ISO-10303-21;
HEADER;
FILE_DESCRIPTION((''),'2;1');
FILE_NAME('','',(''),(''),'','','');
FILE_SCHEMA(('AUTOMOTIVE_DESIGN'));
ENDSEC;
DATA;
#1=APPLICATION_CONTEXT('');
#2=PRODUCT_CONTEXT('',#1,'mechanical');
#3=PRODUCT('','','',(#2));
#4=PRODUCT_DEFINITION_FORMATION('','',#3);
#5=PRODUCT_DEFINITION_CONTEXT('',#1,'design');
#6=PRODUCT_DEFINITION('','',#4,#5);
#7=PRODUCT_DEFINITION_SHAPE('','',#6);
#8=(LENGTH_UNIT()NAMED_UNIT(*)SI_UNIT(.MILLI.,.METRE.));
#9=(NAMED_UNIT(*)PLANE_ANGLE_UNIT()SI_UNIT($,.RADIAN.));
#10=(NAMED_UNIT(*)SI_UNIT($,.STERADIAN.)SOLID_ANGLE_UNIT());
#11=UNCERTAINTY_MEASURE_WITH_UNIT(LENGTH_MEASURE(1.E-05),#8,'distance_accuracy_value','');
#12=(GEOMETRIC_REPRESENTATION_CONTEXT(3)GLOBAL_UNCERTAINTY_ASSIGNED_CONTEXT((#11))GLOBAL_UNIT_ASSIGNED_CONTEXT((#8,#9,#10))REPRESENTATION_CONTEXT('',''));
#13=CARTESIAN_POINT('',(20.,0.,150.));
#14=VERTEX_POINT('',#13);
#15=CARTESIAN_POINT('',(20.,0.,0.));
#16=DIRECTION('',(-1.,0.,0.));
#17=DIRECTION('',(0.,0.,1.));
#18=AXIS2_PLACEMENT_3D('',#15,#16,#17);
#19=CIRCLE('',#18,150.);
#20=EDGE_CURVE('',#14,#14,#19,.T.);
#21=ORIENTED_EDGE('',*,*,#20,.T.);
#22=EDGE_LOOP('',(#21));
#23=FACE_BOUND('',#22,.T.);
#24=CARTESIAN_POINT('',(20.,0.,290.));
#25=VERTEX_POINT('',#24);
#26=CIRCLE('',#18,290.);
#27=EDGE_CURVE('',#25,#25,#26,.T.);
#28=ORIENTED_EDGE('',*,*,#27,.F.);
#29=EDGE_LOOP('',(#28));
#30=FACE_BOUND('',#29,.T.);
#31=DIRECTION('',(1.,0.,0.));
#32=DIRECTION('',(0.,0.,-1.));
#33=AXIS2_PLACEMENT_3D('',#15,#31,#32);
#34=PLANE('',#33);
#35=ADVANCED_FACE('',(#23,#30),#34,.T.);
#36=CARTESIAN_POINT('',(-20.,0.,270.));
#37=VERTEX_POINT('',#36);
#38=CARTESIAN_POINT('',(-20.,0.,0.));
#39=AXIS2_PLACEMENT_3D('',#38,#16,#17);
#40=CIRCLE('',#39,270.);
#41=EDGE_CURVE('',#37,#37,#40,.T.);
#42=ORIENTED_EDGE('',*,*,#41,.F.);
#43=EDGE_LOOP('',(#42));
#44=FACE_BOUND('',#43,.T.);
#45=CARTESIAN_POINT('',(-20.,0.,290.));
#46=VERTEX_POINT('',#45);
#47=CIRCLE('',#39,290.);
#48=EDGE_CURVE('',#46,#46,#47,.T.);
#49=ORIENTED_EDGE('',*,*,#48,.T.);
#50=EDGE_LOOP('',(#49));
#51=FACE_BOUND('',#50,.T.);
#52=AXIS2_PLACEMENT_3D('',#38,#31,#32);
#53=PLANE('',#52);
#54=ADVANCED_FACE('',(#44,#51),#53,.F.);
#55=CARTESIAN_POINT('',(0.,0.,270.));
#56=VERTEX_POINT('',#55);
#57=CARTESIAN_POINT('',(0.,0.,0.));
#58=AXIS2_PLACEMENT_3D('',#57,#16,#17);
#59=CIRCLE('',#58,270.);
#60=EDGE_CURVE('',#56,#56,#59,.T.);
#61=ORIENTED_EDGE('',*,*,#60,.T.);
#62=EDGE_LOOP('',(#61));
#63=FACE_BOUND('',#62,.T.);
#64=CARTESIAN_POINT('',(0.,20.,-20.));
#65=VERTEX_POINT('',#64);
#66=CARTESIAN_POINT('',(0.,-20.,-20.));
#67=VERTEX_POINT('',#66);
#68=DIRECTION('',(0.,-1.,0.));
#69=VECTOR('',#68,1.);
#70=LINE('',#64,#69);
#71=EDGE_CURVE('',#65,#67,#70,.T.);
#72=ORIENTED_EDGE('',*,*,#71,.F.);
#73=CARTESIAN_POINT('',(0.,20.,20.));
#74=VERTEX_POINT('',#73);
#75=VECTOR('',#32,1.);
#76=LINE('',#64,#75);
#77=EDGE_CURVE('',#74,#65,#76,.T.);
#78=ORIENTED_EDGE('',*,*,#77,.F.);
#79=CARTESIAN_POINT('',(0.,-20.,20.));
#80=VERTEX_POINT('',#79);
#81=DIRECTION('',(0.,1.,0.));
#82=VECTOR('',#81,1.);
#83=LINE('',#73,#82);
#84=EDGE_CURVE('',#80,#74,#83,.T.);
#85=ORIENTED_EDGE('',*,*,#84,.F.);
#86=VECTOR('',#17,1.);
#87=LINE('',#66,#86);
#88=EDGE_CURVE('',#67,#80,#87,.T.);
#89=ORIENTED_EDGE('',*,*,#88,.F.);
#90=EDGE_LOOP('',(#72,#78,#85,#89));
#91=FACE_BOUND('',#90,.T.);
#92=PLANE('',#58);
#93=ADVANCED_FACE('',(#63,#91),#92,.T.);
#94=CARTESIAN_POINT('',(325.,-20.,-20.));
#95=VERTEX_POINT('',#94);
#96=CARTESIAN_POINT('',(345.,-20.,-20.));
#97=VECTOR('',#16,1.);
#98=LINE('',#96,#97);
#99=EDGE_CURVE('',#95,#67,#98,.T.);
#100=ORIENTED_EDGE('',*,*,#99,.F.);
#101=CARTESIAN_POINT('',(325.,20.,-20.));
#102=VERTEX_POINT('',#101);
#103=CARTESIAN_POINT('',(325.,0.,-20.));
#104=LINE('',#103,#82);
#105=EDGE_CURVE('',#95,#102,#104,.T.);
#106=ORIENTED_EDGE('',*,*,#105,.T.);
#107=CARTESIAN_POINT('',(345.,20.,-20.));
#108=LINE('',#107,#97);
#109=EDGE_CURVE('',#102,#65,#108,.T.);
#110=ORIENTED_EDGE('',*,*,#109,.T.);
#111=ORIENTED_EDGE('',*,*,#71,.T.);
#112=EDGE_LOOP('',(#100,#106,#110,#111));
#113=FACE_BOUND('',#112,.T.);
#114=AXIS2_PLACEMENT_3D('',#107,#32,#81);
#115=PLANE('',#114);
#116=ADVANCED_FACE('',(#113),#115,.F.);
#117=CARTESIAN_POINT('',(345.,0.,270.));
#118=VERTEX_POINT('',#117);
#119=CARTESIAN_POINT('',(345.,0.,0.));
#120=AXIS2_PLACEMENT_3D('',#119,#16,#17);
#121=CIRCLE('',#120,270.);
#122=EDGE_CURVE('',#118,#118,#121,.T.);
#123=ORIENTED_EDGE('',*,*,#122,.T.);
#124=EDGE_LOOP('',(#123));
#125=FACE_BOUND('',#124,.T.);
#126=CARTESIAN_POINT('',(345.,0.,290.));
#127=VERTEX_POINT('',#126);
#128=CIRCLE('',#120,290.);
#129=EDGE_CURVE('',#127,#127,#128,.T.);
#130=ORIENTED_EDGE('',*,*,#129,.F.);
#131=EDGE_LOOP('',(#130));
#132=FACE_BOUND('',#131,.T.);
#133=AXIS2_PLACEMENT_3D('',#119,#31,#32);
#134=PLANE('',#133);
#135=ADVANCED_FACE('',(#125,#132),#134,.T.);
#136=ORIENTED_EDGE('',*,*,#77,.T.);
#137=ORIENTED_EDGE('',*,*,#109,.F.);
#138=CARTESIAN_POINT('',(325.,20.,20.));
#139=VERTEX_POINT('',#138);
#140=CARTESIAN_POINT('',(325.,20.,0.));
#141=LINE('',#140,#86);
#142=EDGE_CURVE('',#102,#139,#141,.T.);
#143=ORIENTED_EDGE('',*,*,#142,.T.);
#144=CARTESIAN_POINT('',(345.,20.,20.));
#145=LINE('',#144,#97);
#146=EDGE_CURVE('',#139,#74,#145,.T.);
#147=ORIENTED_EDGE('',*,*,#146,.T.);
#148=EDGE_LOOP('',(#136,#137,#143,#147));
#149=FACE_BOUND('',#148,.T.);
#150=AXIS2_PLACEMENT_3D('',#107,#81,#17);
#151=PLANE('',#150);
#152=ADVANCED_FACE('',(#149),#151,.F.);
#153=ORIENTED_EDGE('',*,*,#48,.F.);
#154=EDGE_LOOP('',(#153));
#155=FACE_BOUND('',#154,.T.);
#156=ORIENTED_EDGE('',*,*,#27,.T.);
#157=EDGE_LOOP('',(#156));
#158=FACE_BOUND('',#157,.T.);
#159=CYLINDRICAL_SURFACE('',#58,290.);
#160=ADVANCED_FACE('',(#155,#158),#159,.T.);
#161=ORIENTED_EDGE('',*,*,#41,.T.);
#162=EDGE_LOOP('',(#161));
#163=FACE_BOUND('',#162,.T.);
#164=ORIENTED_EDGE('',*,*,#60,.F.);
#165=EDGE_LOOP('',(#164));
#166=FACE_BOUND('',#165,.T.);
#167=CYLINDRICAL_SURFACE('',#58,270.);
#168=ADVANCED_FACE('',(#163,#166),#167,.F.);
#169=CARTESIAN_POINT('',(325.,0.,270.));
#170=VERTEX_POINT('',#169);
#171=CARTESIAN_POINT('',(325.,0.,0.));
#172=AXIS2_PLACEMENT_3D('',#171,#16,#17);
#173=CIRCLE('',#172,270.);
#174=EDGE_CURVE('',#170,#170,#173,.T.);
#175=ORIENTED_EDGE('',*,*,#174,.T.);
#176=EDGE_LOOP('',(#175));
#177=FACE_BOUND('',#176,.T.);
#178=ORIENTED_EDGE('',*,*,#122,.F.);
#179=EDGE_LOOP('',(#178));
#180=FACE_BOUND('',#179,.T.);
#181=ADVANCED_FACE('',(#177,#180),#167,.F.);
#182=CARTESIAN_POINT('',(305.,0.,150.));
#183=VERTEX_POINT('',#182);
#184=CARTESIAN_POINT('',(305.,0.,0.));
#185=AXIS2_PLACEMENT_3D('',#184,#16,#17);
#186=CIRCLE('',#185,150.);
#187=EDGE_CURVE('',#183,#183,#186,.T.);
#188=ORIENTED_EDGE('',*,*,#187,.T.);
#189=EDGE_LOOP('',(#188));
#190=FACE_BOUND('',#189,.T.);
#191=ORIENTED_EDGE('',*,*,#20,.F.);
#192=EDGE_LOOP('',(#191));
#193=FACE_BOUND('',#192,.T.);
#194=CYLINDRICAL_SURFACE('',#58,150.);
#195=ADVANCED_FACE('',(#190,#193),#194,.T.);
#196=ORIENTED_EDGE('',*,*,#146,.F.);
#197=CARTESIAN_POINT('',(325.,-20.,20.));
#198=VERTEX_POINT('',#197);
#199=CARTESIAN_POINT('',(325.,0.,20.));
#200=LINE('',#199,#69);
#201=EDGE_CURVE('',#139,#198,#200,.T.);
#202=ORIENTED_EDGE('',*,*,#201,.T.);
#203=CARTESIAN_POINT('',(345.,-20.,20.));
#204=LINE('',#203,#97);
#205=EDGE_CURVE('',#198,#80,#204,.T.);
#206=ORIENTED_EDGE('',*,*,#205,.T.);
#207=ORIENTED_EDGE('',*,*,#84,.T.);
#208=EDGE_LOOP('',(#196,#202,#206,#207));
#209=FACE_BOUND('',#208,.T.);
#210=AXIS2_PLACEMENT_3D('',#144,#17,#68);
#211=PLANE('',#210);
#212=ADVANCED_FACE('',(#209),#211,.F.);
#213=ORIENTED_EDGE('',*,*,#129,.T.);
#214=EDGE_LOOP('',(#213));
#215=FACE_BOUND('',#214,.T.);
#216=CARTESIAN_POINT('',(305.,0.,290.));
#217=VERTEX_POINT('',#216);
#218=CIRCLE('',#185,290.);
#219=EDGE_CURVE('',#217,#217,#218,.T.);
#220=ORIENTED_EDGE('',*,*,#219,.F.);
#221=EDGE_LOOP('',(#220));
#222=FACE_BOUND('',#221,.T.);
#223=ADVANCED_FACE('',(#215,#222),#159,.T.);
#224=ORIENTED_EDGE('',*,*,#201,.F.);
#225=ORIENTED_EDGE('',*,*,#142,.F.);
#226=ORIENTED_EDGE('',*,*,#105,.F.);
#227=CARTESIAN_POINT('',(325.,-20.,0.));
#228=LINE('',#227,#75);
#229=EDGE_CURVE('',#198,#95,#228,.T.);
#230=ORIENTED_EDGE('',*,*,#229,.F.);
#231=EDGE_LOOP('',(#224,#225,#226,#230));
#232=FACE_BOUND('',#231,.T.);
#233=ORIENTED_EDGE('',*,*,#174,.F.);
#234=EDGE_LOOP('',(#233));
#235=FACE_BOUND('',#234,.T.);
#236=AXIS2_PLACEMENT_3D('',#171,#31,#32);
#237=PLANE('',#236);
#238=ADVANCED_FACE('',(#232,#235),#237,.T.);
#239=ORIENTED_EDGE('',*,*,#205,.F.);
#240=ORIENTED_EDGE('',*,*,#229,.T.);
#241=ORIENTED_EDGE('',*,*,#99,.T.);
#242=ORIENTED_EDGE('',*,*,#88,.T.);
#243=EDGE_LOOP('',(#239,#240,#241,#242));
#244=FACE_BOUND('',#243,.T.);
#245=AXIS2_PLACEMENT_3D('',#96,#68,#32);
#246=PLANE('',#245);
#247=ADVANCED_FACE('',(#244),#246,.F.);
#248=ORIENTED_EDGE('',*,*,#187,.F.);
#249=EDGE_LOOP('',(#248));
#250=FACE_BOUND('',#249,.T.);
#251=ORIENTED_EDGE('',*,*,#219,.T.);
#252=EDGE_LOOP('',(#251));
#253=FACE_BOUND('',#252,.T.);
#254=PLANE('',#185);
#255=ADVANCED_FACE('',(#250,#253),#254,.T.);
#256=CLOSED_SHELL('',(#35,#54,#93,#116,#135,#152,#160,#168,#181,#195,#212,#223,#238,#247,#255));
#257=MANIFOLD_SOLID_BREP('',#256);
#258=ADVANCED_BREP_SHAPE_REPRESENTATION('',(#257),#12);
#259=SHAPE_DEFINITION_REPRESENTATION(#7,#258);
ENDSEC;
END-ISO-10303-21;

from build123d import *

# Parameters (mm, degrees)
ESQUISSE1_W             = 20
ESQUISSE1_H             = 20
ESQUISSE2_W             = 40
ESQUISSE2_H             = 40
ENL_V_MAT_EXTRU_1_DEPTH = 536.933764564


with BuildPart() as part:
    # Esquisse1 → Révolution1 (revolve)
    with BuildSketch(Plane.XY, mode=Mode.PRIVATE) as r_volution1_sk:
        Polygon((0, 0), (0, 290), (20, 290), (20, 150), (305, 150), (305, 290), (325, 290), (325, 0), align=None)
        with Locations((335, 280)):
            Rectangle(ESQUISSE1_W, ESQUISSE1_H)
        with Locations((-10, 280)):
            Rectangle(ESQUISSE1_W, ESQUISSE1_H)
    revolve(r_volution1_sk.sketch.rotate(Axis((0, 0, 0), (1, 0, 0)), 90), axis=Axis((0, 0, 0), (1, 0, 0)))

    # Esquisse2 → Enlèv. mat.-Extru.1 (cut, through all)
    with BuildSketch(Plane.ZY):
        Rectangle(ESQUISSE2_W, ESQUISSE2_H)
    extrude(amount=-ENL_V_MAT_EXTRU_1_DEPTH, mode=Mode.SUBTRACT)


solid = part.part
